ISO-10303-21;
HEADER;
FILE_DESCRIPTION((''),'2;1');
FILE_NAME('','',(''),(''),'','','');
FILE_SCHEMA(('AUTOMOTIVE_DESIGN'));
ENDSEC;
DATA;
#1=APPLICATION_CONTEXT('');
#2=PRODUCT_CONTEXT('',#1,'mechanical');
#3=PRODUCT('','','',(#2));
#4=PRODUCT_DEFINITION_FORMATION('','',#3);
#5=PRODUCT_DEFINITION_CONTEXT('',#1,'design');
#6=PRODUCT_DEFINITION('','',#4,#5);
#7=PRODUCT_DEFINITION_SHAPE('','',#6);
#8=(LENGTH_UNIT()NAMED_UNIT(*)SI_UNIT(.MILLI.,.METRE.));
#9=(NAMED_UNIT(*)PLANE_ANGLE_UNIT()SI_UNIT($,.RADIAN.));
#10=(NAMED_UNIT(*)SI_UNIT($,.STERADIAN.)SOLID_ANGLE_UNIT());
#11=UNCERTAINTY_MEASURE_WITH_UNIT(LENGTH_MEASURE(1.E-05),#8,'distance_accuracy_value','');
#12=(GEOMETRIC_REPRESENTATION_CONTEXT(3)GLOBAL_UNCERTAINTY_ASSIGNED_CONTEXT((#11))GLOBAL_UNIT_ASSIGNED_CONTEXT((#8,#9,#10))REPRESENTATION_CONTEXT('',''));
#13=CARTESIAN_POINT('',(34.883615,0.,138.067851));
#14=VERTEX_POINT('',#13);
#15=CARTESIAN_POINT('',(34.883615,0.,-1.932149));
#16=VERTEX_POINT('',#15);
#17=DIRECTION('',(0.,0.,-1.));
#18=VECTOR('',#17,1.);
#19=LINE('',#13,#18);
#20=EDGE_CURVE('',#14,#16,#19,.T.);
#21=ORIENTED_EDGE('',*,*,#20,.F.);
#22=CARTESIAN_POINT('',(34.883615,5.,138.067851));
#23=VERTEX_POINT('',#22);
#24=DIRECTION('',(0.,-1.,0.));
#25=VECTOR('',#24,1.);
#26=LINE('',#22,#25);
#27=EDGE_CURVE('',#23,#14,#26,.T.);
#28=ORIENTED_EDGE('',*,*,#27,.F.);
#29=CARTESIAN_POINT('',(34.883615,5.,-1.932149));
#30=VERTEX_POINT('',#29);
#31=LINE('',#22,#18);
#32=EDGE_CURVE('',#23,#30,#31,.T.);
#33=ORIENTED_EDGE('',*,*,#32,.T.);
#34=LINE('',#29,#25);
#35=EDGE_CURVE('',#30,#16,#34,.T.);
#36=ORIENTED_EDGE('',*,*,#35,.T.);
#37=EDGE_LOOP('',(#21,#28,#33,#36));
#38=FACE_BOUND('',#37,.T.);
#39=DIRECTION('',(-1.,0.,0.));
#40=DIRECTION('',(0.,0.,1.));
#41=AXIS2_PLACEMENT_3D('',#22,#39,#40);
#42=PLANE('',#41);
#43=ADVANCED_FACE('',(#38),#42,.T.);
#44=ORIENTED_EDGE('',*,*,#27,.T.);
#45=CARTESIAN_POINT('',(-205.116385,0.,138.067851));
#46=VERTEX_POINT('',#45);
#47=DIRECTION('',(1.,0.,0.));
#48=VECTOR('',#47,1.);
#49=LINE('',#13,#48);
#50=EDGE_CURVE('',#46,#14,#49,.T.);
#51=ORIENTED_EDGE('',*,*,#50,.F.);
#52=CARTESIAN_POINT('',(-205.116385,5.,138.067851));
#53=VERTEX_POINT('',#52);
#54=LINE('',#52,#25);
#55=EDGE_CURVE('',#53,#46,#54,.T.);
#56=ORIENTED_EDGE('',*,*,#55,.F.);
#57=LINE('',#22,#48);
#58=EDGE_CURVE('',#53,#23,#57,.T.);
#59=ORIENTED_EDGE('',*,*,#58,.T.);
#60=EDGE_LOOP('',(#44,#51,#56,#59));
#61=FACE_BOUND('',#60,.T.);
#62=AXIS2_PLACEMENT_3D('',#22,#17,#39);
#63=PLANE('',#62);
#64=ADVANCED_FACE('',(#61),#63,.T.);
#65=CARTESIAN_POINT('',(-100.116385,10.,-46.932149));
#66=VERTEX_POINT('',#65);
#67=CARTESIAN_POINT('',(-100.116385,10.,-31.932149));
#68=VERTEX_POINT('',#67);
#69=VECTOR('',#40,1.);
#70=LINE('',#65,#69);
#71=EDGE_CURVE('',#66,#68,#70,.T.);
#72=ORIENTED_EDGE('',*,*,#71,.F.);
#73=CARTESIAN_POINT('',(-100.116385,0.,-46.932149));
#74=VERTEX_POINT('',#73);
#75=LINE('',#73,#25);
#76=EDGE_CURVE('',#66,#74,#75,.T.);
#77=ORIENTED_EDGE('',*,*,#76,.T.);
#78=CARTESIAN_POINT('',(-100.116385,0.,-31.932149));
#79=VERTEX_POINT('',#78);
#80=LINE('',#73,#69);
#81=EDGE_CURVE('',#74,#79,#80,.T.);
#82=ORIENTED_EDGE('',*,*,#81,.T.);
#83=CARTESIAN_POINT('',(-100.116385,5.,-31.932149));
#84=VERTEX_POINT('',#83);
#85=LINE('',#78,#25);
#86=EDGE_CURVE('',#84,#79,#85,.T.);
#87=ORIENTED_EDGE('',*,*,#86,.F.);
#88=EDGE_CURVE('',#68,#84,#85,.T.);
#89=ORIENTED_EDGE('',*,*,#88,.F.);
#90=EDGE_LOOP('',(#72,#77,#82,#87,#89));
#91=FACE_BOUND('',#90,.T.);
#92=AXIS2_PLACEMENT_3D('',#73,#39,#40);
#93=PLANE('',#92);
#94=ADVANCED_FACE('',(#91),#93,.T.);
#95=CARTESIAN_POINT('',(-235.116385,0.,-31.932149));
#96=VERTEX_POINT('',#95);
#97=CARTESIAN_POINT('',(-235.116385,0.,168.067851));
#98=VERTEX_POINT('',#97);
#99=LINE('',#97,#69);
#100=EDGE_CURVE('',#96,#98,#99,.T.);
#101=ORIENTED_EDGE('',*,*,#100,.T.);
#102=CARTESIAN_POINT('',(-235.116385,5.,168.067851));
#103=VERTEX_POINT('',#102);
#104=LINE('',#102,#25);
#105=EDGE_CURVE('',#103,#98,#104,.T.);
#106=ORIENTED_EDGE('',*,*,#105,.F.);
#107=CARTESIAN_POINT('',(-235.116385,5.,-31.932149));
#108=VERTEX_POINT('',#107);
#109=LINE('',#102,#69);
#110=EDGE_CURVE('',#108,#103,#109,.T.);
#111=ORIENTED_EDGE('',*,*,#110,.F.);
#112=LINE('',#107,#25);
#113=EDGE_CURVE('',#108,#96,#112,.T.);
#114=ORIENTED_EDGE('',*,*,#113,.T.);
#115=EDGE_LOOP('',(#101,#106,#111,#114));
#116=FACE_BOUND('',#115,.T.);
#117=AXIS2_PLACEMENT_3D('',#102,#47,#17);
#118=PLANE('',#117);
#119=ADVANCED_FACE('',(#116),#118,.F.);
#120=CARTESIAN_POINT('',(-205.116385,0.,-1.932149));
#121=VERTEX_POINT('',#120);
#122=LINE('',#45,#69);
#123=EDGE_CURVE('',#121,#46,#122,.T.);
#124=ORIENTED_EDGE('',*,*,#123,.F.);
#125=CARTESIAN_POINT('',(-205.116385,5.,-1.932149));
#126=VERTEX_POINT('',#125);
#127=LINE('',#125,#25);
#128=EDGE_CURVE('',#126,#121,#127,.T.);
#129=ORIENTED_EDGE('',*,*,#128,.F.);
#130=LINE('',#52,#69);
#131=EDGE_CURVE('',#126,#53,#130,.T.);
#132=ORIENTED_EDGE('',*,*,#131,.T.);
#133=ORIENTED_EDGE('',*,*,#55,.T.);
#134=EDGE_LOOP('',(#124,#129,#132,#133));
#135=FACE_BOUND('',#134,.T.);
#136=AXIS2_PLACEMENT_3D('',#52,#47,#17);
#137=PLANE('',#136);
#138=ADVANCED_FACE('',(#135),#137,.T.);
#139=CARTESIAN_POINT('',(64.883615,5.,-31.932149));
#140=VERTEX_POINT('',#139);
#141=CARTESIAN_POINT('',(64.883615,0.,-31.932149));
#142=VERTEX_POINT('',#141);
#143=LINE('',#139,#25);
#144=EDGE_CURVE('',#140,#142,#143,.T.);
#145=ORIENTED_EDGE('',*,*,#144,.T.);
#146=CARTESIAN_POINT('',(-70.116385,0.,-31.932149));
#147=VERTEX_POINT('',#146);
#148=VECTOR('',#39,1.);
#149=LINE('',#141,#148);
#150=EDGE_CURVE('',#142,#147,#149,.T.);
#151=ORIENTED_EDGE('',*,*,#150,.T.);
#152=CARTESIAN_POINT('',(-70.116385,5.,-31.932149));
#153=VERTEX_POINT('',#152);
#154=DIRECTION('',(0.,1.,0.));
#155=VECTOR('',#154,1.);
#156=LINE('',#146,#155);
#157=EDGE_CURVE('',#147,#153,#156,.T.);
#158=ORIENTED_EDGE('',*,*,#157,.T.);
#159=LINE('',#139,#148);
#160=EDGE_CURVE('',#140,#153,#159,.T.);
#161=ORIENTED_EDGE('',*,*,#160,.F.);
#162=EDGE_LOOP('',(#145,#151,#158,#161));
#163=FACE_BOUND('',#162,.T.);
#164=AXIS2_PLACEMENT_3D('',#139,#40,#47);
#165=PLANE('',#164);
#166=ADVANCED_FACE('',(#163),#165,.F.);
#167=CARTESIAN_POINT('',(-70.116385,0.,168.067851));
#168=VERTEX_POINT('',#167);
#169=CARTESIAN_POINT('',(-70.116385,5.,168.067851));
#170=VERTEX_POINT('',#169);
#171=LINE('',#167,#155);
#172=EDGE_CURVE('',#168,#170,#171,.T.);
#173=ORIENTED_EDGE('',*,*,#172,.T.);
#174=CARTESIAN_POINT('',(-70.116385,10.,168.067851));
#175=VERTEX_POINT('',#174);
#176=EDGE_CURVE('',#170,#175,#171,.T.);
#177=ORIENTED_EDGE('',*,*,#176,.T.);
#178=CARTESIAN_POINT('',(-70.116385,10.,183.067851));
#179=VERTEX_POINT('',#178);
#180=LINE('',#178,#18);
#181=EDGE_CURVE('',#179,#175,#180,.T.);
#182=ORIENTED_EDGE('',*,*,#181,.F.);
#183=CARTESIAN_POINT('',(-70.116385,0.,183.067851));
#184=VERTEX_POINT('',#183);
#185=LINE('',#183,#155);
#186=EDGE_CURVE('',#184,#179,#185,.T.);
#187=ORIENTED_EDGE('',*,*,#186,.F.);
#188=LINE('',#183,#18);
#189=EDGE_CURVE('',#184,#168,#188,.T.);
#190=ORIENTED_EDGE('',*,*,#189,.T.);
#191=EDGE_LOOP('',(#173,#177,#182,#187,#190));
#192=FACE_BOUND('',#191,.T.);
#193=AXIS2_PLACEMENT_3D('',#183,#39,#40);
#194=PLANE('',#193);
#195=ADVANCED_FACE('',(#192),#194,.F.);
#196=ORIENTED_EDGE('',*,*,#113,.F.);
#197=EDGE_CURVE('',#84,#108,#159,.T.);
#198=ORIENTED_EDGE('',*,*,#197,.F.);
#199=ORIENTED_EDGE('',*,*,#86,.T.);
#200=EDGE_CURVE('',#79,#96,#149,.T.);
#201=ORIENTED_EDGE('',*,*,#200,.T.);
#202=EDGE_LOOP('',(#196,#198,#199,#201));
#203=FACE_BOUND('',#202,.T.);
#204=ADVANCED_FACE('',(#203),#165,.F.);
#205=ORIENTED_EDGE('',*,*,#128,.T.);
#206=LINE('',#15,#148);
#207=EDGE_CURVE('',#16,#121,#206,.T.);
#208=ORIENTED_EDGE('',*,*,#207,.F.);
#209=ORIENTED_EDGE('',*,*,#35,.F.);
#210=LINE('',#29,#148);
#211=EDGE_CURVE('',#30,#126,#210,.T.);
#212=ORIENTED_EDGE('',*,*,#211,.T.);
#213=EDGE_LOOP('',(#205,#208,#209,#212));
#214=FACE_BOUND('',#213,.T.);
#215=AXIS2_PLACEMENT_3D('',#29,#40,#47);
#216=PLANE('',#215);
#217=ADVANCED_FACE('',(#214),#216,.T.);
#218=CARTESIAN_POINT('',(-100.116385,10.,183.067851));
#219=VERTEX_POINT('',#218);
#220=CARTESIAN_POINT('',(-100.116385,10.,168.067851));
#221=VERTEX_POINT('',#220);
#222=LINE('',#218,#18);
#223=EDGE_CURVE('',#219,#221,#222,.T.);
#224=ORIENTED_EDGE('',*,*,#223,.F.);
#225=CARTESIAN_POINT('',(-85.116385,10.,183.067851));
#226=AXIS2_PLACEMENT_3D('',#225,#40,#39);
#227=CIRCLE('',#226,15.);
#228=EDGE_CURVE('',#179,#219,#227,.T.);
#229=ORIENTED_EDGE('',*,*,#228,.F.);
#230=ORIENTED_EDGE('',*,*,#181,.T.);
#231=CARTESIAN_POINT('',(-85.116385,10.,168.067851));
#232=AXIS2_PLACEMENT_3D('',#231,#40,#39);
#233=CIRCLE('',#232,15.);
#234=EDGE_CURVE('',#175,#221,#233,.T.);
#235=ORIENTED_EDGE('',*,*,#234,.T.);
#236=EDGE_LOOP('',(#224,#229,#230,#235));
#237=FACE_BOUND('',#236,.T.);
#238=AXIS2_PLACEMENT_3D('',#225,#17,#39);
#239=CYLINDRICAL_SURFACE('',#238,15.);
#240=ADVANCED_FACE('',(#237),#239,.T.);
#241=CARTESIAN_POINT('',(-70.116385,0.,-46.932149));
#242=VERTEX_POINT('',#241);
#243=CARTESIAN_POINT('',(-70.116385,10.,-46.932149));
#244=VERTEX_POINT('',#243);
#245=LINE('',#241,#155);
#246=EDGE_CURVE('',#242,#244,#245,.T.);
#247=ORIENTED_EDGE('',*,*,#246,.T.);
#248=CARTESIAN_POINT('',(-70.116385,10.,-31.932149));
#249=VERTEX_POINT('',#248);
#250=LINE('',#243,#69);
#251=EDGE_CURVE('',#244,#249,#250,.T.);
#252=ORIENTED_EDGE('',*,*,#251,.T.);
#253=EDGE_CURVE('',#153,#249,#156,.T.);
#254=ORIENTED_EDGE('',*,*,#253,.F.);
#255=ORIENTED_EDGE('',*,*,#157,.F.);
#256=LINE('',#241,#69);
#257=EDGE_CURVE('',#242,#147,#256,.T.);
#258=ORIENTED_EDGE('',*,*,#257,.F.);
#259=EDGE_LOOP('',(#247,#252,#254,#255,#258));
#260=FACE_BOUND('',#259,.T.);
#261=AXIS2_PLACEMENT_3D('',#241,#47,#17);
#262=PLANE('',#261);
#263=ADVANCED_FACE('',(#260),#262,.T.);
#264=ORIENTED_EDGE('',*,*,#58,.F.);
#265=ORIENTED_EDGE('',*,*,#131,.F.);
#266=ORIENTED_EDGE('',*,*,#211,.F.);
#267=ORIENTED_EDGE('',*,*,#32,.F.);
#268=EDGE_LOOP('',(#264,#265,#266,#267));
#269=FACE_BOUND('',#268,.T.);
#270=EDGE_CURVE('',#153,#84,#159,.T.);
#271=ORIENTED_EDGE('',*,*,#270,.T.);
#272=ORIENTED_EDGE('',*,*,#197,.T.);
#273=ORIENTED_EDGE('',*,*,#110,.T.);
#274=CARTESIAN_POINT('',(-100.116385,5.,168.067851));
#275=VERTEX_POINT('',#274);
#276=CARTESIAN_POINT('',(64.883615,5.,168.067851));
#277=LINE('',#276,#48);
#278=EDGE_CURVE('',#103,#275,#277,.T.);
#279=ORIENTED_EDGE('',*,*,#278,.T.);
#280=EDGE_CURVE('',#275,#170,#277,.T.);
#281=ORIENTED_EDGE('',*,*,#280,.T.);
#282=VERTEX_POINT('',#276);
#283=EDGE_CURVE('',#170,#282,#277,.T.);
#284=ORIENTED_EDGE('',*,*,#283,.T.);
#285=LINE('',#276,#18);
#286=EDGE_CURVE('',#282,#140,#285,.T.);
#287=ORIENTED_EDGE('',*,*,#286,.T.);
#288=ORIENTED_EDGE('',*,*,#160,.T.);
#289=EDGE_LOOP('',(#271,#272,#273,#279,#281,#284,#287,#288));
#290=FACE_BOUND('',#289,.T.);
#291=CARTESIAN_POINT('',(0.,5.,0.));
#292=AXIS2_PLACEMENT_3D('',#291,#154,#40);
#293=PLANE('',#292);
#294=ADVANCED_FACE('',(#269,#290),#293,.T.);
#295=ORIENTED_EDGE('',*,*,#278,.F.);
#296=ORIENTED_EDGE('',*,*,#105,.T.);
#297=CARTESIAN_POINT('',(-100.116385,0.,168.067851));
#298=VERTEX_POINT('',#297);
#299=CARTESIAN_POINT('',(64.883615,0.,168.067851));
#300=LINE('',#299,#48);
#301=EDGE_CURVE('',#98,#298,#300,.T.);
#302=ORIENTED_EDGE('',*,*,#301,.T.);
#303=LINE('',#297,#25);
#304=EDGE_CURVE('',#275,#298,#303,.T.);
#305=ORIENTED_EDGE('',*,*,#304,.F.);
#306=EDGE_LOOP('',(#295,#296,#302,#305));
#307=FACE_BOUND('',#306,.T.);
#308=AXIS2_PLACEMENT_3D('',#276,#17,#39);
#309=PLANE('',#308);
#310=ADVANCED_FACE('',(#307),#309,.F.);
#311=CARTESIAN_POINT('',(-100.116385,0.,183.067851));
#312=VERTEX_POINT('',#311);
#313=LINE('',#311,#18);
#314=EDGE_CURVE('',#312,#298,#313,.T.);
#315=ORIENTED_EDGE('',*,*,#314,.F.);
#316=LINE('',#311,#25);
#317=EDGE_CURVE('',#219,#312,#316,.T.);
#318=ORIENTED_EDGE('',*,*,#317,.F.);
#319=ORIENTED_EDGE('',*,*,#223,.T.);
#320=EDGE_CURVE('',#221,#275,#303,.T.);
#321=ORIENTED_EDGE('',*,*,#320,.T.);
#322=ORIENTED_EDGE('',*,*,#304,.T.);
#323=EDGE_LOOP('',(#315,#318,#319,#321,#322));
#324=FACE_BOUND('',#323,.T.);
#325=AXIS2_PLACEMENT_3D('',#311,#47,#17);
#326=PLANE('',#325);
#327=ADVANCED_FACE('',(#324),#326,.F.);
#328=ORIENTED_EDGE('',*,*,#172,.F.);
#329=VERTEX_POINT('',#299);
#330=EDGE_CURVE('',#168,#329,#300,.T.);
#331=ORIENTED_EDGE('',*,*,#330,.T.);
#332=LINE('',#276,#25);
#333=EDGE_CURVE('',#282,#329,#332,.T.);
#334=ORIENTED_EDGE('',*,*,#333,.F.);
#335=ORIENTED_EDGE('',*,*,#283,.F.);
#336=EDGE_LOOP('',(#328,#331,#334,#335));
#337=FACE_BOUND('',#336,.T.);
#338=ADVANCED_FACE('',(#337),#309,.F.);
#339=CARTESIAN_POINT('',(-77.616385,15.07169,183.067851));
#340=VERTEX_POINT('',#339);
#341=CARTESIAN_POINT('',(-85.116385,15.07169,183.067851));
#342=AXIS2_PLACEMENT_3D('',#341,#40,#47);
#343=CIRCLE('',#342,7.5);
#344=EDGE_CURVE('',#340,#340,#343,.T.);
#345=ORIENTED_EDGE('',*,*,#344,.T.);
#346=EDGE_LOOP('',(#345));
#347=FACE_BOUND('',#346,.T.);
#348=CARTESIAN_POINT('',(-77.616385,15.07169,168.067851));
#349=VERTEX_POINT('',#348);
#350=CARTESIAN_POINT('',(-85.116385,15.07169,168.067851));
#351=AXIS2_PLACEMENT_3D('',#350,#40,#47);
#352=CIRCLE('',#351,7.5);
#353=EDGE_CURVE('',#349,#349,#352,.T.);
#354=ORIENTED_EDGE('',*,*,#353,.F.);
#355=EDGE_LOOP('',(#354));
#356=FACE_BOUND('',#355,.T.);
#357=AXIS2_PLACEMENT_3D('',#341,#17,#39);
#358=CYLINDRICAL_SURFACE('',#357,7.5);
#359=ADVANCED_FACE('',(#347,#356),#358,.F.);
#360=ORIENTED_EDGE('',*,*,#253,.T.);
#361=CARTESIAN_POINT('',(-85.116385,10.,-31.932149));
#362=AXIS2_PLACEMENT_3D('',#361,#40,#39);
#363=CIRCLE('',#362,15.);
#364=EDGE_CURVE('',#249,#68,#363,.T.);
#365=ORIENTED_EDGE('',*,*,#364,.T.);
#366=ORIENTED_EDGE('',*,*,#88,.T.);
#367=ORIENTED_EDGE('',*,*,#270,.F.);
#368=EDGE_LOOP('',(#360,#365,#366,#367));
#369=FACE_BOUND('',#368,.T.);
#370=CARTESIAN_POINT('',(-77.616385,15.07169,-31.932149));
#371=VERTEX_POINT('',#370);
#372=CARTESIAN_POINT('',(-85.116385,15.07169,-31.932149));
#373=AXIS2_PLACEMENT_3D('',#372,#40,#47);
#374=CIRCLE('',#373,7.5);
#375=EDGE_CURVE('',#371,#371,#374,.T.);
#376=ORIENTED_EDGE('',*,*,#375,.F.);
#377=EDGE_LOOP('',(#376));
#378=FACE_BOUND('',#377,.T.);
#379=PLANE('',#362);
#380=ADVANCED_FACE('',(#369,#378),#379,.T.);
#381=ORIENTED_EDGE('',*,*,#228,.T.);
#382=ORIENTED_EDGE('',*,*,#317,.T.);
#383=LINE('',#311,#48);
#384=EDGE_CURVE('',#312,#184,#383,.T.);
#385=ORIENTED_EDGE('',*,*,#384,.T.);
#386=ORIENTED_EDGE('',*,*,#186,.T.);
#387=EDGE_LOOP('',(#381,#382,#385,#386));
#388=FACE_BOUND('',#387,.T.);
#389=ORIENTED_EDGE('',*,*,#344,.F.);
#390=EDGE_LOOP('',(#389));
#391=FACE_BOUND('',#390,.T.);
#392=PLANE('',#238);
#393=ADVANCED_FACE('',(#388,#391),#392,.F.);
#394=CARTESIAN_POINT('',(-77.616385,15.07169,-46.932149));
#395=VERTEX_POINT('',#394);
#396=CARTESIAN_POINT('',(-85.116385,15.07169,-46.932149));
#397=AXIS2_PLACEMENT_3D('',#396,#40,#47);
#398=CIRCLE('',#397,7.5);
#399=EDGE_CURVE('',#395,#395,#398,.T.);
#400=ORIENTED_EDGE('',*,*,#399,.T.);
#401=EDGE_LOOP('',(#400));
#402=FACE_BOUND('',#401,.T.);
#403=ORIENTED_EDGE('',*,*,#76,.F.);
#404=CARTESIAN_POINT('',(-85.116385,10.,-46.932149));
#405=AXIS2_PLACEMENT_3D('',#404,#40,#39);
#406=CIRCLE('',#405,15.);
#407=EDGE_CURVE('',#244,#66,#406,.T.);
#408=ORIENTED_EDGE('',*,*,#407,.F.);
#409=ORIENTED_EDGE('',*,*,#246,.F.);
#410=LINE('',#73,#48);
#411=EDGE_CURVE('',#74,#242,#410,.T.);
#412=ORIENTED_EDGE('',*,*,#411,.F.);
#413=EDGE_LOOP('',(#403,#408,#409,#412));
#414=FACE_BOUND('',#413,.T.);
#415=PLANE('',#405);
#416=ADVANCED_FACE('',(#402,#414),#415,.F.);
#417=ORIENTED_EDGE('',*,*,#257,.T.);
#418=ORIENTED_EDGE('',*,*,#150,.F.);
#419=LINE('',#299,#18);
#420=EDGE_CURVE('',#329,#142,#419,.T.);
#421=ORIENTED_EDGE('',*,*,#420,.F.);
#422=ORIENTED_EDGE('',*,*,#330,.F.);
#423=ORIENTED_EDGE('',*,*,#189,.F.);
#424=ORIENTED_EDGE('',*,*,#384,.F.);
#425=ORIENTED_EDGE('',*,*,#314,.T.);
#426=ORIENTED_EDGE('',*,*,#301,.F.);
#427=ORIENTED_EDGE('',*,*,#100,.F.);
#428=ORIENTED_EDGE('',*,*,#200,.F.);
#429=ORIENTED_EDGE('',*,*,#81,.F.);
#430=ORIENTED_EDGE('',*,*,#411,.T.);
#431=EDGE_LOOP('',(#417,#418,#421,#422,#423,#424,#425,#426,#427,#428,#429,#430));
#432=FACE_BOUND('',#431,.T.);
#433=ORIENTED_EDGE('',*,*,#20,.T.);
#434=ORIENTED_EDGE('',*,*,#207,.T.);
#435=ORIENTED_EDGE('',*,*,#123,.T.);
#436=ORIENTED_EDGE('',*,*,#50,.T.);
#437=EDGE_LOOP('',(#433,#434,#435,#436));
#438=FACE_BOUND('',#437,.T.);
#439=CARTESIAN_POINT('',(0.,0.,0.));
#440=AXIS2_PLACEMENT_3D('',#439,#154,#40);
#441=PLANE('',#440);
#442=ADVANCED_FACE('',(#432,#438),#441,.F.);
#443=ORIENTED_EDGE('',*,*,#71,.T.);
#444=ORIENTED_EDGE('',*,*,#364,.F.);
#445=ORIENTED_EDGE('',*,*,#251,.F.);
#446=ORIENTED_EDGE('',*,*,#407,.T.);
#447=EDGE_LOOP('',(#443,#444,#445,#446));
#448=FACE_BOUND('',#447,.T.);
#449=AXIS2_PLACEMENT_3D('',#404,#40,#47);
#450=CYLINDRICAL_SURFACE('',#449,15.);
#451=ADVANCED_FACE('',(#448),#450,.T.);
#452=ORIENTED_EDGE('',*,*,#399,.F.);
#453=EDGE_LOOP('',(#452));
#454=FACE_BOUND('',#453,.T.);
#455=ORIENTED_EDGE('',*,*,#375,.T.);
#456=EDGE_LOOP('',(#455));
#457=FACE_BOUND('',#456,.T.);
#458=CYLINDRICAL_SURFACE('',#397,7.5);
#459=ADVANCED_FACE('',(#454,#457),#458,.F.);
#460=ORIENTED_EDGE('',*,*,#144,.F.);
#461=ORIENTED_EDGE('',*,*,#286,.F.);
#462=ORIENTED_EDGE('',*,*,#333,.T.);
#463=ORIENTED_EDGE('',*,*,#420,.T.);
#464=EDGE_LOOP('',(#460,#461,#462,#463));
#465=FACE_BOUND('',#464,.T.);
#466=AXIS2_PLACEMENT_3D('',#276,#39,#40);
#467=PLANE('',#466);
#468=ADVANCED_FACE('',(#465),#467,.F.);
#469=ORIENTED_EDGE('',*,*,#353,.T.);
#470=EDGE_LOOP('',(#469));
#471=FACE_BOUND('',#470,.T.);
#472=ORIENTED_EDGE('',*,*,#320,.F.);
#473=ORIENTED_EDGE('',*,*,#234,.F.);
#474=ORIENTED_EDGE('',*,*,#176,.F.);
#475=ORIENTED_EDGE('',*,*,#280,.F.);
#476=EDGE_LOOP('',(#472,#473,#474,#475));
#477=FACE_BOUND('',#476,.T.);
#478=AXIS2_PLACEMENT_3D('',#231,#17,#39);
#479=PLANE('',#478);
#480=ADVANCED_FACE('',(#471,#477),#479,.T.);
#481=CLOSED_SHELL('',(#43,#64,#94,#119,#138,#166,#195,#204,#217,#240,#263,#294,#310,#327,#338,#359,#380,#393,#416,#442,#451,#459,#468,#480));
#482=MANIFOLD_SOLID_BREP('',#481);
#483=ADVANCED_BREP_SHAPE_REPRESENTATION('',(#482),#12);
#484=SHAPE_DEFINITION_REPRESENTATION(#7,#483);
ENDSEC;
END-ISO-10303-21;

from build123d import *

# Parameters (mm, degrees)
SKETCH1_W           = 300
SKETCH1_H           = 200
SKETCH1_W_2         = 240
SKETCH1_H_2         = 140
BOSS_EXTRUDE1_DEPTH = 5
SKETCH3_R           = 7.5
BOSS_EXTRUDE2_DEPTH = 15


with BuildPart() as part:
    # Sketch1 → Boss-Extrude1 (new body)
    with BuildSketch(Plane(origin=(0, 0, 0), x_dir=(1, 0, 0), z_dir=(0, 1, 0))):
        with Locations((-85.116384968, -68.067851076)):
            Rectangle(SKETCH1_W, SKETCH1_H)
        with Locations((-85.116384968, -68.067851076)):
            Rectangle(SKETCH1_W_2, SKETCH1_H_2, mode=Mode.SUBTRACT)
    extrude(amount=BOSS_EXTRUDE1_DEPTH)

    # Sketch3 → Boss-Extrude2 (add)
    with BuildSketch(Plane.XY.offset(168.067851076)):
        with BuildLine():
            Line((-100.116384968, 0), (-70.116384968, 0))
            Line((-70.116384968, 0), (-70.116384968, 10))
            ThreePointArc((-70.116384968, 10), (-85.116384968, 25), (-100.116384968, 10))
            Line((-100.116384968, 10), (-100.116384968, 0))
        make_face()
        with Locations((-85.116384968, 15.071690081)):
            Circle(SKETCH3_R, mode=Mode.SUBTRACT)
    boss_extrude2 = extrude(amount=BOSS_EXTRUDE2_DEPTH)

    # Mirror1: Boss-Extrude2 across plane
    add(boss_extrude2.mirror(Plane.XY.offset(68.067851076)))


solid = part.part
